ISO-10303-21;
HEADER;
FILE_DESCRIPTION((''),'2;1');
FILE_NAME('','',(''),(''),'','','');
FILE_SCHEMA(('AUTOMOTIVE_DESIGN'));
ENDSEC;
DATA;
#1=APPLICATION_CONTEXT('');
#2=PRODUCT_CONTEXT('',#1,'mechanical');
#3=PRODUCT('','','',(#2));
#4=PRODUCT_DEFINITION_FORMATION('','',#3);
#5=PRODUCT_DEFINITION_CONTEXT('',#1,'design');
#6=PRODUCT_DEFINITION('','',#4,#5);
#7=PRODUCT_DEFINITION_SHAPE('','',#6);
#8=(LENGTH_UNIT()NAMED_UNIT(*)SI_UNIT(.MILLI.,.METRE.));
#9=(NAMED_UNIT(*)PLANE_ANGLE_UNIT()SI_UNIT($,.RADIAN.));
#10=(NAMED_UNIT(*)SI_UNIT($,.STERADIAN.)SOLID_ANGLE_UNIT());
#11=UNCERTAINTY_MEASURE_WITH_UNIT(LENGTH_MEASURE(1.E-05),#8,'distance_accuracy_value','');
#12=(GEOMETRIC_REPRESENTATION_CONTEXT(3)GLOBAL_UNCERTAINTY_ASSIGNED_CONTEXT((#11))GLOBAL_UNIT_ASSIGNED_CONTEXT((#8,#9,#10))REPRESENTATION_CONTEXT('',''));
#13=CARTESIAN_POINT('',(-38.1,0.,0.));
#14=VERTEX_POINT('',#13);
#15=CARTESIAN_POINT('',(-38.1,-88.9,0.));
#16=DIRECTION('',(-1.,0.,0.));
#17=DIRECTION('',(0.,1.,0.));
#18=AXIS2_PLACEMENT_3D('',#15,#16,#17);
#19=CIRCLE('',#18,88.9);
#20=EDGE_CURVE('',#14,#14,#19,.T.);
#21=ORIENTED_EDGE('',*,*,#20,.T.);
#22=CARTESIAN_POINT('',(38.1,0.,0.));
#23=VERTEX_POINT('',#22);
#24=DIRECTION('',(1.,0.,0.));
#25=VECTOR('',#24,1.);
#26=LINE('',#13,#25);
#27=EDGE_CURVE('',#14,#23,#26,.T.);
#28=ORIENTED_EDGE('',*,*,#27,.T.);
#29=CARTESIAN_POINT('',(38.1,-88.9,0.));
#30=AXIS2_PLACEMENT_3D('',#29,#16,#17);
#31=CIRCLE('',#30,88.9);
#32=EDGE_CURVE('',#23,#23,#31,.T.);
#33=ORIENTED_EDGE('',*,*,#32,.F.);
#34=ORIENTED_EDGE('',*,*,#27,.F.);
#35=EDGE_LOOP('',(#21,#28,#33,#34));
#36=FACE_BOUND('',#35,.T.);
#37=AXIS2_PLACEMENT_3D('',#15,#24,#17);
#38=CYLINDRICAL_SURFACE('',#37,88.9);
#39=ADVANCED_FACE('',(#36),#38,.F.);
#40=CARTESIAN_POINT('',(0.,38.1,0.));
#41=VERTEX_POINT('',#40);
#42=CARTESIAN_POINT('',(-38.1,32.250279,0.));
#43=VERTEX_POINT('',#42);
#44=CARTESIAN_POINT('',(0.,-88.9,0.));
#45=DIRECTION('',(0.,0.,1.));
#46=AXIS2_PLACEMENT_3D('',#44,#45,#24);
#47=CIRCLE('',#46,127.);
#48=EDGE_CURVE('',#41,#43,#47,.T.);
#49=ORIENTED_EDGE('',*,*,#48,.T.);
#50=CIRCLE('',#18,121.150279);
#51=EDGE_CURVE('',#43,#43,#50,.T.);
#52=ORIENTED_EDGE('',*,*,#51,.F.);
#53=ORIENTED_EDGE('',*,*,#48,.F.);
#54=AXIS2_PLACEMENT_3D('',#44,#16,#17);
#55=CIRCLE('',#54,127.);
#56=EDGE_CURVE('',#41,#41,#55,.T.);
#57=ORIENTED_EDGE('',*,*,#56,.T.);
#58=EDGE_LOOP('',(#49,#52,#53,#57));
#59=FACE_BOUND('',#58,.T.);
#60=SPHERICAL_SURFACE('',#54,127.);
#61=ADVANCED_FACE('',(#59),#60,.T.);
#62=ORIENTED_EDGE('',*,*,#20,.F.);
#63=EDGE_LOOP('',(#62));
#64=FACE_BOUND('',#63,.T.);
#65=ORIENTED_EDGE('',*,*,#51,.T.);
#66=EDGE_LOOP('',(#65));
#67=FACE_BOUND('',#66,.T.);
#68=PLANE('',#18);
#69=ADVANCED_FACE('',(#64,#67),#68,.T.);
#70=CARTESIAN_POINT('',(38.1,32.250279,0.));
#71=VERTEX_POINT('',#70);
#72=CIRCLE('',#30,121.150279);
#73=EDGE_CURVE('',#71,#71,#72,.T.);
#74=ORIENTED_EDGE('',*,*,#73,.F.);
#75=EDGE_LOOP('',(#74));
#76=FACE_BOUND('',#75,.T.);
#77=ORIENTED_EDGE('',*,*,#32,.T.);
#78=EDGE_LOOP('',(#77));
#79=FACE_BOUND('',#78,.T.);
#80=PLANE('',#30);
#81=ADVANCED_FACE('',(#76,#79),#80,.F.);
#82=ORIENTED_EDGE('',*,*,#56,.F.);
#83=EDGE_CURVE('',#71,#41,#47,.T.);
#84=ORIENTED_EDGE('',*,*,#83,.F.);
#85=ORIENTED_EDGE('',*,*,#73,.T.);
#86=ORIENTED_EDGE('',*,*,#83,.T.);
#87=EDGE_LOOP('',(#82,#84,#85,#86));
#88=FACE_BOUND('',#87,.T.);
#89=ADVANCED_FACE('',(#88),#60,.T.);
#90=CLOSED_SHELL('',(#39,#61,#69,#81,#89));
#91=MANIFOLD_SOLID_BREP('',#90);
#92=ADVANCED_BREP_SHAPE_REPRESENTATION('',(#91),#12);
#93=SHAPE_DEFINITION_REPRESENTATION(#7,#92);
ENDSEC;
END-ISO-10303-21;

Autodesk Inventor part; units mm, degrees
ref_plane "YZ Plane" through (0, 0, 0) normal (1, 0, 0) x (0, 1, 0)
ref_plane "XZ Plane" through (0, 0, 0) normal (0, 1, 0) x (-1, 0, 0)
ref_plane "XY Plane" through (0, 0, 0) normal (0, 0, 1) x (1, 0, 0)
sketch "Sketch1" plane through (0, 0, 0) normal (0, 0, 1) x (1, 0, 0)
  line L0 (-38.1, 0) -> (38.1, 0)
  line L1 (38.1, 0) -> (38.1, 38.1)
  line L2 (38.1, 38.1) -> (-38.1, 38.1)
  line L3 (-38.1, 38.1) -> (-38.1, 0)
  circle A0 centre (0, -88.9) radius 127
  line L4 (0, -88.9) -> (-189.5771, -88.9) construction
  point P0 (0, 0)
  point P1 (-38.1, 32.2503)
  point P2 (38.1, 32.2503)
  dimension "d0" = 76.2
  dimension "d1" = 38.1
  dimension "d2" = 38.1
  dimension "d3" = 127
revolve "Revolution1" add sketch "Sketch1" angle 360 about axis through (0, -88.9, 0) along (-1, 0, 0) picked at (0, 12.7) contours L3 A0 L1 L0
equation "\"d2\" = 0.5 * d0"
properties part number "bigWheel"
